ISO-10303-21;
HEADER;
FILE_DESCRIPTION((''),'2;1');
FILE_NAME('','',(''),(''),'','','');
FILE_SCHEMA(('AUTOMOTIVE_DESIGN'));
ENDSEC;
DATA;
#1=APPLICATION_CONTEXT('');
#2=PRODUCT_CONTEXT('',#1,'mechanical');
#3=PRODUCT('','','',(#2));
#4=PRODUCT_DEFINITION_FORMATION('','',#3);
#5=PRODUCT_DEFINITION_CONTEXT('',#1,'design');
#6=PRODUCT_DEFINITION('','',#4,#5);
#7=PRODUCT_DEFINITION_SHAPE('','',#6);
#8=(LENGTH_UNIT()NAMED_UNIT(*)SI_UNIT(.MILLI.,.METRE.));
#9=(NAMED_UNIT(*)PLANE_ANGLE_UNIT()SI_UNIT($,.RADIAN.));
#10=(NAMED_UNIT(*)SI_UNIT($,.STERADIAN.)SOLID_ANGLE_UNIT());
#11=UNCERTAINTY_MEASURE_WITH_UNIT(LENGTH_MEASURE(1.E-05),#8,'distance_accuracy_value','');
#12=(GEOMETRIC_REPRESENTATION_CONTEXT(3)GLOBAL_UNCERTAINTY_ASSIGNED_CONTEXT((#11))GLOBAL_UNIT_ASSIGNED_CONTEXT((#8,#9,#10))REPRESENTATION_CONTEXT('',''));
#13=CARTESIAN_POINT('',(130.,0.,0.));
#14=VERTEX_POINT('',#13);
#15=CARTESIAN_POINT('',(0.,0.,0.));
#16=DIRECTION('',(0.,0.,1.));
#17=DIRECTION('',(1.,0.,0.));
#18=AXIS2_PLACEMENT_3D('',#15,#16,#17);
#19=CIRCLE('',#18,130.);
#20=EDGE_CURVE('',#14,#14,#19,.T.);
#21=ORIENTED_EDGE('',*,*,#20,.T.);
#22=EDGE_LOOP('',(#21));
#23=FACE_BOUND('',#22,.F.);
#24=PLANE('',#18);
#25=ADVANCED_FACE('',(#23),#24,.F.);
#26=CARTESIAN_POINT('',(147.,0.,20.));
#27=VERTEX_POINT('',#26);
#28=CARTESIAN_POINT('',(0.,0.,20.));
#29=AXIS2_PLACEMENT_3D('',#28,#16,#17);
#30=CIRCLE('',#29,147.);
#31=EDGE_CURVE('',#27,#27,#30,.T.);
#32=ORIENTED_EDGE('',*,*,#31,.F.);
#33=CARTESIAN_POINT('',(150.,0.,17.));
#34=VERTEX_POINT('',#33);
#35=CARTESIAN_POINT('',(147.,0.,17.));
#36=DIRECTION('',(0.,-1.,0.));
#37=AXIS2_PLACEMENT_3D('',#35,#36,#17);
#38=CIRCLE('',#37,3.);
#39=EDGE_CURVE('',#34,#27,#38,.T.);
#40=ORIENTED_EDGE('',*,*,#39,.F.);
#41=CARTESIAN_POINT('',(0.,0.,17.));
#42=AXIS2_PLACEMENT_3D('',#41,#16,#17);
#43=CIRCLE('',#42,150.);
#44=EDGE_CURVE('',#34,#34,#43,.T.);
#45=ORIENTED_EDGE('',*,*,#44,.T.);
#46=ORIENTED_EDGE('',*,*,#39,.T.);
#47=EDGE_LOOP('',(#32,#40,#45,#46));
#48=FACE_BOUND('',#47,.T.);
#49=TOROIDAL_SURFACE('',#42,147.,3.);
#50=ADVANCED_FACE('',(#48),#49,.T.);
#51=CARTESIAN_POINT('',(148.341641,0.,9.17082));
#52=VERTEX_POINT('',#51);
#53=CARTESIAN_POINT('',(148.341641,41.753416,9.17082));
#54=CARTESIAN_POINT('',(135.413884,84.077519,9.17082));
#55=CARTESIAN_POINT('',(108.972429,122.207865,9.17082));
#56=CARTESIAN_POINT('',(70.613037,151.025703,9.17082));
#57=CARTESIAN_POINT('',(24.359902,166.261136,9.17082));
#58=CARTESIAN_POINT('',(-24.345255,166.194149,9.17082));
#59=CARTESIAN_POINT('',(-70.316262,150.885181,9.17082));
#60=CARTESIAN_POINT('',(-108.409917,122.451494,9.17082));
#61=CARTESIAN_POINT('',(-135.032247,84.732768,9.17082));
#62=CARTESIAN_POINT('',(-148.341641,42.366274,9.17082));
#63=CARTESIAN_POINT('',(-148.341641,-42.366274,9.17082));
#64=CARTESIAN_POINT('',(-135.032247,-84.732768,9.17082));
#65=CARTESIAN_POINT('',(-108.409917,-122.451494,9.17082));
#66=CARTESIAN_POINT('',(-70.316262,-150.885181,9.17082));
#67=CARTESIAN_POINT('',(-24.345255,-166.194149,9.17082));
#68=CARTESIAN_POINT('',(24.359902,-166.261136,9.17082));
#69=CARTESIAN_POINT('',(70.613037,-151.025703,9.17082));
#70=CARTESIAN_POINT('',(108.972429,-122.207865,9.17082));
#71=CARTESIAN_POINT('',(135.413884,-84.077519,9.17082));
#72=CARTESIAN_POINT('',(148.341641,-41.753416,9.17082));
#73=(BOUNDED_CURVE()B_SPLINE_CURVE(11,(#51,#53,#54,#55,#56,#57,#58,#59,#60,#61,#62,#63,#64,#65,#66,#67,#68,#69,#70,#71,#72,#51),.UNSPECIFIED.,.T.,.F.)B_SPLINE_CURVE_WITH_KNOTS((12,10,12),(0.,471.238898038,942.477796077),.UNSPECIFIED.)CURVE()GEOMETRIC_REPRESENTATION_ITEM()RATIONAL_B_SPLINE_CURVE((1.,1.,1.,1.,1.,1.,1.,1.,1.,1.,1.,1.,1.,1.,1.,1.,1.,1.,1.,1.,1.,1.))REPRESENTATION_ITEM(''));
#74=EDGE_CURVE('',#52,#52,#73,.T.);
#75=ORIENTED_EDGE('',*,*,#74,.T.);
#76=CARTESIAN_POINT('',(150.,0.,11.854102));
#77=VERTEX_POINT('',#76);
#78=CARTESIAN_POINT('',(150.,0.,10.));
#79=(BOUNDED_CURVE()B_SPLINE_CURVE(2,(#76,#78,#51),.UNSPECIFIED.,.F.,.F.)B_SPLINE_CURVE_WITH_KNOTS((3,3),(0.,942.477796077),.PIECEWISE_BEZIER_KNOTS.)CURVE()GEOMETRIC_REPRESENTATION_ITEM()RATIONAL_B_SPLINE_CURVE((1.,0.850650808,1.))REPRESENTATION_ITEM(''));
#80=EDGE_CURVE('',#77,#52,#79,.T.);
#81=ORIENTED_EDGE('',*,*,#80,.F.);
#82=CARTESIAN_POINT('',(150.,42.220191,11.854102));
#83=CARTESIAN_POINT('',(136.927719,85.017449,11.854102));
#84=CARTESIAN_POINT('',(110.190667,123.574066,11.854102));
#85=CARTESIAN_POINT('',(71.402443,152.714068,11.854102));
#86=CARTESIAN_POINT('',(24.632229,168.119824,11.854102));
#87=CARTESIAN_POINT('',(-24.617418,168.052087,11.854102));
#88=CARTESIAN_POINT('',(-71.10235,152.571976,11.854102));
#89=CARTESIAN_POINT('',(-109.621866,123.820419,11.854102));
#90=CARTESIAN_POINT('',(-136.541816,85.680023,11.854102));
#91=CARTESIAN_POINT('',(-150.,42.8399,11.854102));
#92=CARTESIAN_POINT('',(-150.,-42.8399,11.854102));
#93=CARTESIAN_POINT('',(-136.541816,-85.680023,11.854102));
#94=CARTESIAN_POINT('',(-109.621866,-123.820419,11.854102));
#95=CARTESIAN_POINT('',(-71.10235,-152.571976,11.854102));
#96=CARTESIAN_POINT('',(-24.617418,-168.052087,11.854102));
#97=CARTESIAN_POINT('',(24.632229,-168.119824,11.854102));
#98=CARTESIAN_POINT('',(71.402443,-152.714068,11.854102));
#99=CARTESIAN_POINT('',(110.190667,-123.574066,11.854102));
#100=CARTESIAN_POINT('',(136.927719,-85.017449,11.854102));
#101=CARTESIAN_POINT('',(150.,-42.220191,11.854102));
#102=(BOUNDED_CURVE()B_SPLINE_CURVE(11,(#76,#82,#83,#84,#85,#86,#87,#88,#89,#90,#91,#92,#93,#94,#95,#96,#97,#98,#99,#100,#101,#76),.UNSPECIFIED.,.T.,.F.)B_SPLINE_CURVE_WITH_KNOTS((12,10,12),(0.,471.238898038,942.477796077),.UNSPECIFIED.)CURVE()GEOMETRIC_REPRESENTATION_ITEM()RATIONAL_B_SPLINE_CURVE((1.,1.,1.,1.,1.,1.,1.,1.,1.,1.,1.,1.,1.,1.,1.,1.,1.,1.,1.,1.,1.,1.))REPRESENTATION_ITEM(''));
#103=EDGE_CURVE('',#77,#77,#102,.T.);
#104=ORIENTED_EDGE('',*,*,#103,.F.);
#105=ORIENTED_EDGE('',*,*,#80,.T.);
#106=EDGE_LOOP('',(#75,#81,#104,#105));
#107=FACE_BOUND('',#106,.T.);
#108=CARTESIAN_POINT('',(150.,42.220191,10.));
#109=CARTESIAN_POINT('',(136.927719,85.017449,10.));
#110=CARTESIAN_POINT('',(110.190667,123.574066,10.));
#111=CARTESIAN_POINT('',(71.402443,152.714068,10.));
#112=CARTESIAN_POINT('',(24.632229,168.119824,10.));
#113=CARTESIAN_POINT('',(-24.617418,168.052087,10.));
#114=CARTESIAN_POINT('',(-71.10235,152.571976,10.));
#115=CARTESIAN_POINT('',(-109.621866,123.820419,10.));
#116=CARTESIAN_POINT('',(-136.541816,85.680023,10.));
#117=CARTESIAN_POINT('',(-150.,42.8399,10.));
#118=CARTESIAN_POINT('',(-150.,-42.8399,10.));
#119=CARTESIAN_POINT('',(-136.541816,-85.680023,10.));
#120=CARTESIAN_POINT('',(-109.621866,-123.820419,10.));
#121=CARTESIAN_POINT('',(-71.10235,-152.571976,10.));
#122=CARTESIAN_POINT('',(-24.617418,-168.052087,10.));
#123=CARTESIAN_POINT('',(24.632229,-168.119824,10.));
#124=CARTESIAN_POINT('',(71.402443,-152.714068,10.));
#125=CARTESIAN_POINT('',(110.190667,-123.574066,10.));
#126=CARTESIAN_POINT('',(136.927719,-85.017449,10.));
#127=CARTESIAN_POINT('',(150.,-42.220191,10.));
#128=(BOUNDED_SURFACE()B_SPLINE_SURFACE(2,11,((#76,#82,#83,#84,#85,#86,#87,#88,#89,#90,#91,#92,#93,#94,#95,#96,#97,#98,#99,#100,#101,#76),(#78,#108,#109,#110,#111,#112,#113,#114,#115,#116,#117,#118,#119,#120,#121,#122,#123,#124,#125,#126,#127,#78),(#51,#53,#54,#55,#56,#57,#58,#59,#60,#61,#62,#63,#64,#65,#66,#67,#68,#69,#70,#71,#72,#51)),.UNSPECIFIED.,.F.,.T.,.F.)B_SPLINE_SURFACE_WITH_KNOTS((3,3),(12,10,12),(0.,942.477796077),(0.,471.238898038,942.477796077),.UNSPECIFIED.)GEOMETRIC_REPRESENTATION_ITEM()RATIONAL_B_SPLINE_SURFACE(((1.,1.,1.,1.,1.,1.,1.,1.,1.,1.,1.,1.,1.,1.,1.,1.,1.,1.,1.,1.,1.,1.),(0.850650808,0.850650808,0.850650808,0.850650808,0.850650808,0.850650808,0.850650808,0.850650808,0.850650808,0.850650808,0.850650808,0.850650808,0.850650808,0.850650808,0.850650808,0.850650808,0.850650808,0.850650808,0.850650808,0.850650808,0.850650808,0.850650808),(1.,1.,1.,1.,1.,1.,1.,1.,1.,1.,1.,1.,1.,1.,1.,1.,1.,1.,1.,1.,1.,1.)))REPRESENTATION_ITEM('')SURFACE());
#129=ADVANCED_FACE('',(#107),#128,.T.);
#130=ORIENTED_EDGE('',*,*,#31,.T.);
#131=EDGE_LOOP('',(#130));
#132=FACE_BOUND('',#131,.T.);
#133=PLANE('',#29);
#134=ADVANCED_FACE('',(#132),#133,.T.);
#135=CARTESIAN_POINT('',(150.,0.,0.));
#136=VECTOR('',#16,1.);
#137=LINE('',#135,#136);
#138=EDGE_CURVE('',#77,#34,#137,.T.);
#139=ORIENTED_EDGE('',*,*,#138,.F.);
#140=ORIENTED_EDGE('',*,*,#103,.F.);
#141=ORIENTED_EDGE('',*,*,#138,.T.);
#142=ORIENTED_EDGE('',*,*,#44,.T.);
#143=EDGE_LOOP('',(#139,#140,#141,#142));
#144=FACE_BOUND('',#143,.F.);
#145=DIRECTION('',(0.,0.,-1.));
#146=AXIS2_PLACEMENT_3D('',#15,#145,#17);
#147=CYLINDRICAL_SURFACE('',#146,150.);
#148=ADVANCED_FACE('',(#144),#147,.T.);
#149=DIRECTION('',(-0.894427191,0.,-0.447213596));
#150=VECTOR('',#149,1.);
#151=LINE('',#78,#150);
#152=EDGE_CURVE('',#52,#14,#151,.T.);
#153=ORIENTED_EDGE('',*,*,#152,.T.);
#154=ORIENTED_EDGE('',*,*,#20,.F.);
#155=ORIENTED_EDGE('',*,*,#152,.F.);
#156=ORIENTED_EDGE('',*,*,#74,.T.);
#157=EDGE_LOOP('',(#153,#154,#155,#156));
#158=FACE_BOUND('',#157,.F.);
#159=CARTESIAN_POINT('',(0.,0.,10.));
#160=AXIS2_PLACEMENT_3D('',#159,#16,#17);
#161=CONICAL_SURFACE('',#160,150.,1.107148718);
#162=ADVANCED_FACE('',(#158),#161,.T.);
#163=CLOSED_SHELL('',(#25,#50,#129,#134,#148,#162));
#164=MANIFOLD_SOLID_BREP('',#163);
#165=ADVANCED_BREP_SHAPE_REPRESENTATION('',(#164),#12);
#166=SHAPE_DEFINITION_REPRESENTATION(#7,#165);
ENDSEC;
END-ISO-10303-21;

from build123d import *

# Parameters (mm, degrees)
F0_R     = 150
F1_DEPTH = 20
F2_SIZE2 = 20
F2_SIZE  = 10
F3_R     = 3
F4_R     = 3


with BuildPart() as f1:
    # F0 (on Top) → F1 (new body)
    with BuildSketch(Plane.XY):
        Circle(F0_R)
    extrude(amount=F1_DEPTH)

    # F2
    f2_edges = [f1.edges().sort_by_distance(p)[0] for p in [
        (-150, 0, 0),
    ]]
    chamfer(f2_edges, length=F2_SIZE, length2=F2_SIZE2)

    # F3
    f3_edges = [f1.edges().sort_by_distance(p)[0] for p in [
        (-150, 0, 20),
    ]]
    fillet(f3_edges, radius=F3_R)

    # F4
    f4_edges = [f1.edges().sort_by_distance(p)[0] for p in [
        (-150, 0, 10),
    ]]
    fillet(f4_edges, radius=F4_R)


solid = f1.part
